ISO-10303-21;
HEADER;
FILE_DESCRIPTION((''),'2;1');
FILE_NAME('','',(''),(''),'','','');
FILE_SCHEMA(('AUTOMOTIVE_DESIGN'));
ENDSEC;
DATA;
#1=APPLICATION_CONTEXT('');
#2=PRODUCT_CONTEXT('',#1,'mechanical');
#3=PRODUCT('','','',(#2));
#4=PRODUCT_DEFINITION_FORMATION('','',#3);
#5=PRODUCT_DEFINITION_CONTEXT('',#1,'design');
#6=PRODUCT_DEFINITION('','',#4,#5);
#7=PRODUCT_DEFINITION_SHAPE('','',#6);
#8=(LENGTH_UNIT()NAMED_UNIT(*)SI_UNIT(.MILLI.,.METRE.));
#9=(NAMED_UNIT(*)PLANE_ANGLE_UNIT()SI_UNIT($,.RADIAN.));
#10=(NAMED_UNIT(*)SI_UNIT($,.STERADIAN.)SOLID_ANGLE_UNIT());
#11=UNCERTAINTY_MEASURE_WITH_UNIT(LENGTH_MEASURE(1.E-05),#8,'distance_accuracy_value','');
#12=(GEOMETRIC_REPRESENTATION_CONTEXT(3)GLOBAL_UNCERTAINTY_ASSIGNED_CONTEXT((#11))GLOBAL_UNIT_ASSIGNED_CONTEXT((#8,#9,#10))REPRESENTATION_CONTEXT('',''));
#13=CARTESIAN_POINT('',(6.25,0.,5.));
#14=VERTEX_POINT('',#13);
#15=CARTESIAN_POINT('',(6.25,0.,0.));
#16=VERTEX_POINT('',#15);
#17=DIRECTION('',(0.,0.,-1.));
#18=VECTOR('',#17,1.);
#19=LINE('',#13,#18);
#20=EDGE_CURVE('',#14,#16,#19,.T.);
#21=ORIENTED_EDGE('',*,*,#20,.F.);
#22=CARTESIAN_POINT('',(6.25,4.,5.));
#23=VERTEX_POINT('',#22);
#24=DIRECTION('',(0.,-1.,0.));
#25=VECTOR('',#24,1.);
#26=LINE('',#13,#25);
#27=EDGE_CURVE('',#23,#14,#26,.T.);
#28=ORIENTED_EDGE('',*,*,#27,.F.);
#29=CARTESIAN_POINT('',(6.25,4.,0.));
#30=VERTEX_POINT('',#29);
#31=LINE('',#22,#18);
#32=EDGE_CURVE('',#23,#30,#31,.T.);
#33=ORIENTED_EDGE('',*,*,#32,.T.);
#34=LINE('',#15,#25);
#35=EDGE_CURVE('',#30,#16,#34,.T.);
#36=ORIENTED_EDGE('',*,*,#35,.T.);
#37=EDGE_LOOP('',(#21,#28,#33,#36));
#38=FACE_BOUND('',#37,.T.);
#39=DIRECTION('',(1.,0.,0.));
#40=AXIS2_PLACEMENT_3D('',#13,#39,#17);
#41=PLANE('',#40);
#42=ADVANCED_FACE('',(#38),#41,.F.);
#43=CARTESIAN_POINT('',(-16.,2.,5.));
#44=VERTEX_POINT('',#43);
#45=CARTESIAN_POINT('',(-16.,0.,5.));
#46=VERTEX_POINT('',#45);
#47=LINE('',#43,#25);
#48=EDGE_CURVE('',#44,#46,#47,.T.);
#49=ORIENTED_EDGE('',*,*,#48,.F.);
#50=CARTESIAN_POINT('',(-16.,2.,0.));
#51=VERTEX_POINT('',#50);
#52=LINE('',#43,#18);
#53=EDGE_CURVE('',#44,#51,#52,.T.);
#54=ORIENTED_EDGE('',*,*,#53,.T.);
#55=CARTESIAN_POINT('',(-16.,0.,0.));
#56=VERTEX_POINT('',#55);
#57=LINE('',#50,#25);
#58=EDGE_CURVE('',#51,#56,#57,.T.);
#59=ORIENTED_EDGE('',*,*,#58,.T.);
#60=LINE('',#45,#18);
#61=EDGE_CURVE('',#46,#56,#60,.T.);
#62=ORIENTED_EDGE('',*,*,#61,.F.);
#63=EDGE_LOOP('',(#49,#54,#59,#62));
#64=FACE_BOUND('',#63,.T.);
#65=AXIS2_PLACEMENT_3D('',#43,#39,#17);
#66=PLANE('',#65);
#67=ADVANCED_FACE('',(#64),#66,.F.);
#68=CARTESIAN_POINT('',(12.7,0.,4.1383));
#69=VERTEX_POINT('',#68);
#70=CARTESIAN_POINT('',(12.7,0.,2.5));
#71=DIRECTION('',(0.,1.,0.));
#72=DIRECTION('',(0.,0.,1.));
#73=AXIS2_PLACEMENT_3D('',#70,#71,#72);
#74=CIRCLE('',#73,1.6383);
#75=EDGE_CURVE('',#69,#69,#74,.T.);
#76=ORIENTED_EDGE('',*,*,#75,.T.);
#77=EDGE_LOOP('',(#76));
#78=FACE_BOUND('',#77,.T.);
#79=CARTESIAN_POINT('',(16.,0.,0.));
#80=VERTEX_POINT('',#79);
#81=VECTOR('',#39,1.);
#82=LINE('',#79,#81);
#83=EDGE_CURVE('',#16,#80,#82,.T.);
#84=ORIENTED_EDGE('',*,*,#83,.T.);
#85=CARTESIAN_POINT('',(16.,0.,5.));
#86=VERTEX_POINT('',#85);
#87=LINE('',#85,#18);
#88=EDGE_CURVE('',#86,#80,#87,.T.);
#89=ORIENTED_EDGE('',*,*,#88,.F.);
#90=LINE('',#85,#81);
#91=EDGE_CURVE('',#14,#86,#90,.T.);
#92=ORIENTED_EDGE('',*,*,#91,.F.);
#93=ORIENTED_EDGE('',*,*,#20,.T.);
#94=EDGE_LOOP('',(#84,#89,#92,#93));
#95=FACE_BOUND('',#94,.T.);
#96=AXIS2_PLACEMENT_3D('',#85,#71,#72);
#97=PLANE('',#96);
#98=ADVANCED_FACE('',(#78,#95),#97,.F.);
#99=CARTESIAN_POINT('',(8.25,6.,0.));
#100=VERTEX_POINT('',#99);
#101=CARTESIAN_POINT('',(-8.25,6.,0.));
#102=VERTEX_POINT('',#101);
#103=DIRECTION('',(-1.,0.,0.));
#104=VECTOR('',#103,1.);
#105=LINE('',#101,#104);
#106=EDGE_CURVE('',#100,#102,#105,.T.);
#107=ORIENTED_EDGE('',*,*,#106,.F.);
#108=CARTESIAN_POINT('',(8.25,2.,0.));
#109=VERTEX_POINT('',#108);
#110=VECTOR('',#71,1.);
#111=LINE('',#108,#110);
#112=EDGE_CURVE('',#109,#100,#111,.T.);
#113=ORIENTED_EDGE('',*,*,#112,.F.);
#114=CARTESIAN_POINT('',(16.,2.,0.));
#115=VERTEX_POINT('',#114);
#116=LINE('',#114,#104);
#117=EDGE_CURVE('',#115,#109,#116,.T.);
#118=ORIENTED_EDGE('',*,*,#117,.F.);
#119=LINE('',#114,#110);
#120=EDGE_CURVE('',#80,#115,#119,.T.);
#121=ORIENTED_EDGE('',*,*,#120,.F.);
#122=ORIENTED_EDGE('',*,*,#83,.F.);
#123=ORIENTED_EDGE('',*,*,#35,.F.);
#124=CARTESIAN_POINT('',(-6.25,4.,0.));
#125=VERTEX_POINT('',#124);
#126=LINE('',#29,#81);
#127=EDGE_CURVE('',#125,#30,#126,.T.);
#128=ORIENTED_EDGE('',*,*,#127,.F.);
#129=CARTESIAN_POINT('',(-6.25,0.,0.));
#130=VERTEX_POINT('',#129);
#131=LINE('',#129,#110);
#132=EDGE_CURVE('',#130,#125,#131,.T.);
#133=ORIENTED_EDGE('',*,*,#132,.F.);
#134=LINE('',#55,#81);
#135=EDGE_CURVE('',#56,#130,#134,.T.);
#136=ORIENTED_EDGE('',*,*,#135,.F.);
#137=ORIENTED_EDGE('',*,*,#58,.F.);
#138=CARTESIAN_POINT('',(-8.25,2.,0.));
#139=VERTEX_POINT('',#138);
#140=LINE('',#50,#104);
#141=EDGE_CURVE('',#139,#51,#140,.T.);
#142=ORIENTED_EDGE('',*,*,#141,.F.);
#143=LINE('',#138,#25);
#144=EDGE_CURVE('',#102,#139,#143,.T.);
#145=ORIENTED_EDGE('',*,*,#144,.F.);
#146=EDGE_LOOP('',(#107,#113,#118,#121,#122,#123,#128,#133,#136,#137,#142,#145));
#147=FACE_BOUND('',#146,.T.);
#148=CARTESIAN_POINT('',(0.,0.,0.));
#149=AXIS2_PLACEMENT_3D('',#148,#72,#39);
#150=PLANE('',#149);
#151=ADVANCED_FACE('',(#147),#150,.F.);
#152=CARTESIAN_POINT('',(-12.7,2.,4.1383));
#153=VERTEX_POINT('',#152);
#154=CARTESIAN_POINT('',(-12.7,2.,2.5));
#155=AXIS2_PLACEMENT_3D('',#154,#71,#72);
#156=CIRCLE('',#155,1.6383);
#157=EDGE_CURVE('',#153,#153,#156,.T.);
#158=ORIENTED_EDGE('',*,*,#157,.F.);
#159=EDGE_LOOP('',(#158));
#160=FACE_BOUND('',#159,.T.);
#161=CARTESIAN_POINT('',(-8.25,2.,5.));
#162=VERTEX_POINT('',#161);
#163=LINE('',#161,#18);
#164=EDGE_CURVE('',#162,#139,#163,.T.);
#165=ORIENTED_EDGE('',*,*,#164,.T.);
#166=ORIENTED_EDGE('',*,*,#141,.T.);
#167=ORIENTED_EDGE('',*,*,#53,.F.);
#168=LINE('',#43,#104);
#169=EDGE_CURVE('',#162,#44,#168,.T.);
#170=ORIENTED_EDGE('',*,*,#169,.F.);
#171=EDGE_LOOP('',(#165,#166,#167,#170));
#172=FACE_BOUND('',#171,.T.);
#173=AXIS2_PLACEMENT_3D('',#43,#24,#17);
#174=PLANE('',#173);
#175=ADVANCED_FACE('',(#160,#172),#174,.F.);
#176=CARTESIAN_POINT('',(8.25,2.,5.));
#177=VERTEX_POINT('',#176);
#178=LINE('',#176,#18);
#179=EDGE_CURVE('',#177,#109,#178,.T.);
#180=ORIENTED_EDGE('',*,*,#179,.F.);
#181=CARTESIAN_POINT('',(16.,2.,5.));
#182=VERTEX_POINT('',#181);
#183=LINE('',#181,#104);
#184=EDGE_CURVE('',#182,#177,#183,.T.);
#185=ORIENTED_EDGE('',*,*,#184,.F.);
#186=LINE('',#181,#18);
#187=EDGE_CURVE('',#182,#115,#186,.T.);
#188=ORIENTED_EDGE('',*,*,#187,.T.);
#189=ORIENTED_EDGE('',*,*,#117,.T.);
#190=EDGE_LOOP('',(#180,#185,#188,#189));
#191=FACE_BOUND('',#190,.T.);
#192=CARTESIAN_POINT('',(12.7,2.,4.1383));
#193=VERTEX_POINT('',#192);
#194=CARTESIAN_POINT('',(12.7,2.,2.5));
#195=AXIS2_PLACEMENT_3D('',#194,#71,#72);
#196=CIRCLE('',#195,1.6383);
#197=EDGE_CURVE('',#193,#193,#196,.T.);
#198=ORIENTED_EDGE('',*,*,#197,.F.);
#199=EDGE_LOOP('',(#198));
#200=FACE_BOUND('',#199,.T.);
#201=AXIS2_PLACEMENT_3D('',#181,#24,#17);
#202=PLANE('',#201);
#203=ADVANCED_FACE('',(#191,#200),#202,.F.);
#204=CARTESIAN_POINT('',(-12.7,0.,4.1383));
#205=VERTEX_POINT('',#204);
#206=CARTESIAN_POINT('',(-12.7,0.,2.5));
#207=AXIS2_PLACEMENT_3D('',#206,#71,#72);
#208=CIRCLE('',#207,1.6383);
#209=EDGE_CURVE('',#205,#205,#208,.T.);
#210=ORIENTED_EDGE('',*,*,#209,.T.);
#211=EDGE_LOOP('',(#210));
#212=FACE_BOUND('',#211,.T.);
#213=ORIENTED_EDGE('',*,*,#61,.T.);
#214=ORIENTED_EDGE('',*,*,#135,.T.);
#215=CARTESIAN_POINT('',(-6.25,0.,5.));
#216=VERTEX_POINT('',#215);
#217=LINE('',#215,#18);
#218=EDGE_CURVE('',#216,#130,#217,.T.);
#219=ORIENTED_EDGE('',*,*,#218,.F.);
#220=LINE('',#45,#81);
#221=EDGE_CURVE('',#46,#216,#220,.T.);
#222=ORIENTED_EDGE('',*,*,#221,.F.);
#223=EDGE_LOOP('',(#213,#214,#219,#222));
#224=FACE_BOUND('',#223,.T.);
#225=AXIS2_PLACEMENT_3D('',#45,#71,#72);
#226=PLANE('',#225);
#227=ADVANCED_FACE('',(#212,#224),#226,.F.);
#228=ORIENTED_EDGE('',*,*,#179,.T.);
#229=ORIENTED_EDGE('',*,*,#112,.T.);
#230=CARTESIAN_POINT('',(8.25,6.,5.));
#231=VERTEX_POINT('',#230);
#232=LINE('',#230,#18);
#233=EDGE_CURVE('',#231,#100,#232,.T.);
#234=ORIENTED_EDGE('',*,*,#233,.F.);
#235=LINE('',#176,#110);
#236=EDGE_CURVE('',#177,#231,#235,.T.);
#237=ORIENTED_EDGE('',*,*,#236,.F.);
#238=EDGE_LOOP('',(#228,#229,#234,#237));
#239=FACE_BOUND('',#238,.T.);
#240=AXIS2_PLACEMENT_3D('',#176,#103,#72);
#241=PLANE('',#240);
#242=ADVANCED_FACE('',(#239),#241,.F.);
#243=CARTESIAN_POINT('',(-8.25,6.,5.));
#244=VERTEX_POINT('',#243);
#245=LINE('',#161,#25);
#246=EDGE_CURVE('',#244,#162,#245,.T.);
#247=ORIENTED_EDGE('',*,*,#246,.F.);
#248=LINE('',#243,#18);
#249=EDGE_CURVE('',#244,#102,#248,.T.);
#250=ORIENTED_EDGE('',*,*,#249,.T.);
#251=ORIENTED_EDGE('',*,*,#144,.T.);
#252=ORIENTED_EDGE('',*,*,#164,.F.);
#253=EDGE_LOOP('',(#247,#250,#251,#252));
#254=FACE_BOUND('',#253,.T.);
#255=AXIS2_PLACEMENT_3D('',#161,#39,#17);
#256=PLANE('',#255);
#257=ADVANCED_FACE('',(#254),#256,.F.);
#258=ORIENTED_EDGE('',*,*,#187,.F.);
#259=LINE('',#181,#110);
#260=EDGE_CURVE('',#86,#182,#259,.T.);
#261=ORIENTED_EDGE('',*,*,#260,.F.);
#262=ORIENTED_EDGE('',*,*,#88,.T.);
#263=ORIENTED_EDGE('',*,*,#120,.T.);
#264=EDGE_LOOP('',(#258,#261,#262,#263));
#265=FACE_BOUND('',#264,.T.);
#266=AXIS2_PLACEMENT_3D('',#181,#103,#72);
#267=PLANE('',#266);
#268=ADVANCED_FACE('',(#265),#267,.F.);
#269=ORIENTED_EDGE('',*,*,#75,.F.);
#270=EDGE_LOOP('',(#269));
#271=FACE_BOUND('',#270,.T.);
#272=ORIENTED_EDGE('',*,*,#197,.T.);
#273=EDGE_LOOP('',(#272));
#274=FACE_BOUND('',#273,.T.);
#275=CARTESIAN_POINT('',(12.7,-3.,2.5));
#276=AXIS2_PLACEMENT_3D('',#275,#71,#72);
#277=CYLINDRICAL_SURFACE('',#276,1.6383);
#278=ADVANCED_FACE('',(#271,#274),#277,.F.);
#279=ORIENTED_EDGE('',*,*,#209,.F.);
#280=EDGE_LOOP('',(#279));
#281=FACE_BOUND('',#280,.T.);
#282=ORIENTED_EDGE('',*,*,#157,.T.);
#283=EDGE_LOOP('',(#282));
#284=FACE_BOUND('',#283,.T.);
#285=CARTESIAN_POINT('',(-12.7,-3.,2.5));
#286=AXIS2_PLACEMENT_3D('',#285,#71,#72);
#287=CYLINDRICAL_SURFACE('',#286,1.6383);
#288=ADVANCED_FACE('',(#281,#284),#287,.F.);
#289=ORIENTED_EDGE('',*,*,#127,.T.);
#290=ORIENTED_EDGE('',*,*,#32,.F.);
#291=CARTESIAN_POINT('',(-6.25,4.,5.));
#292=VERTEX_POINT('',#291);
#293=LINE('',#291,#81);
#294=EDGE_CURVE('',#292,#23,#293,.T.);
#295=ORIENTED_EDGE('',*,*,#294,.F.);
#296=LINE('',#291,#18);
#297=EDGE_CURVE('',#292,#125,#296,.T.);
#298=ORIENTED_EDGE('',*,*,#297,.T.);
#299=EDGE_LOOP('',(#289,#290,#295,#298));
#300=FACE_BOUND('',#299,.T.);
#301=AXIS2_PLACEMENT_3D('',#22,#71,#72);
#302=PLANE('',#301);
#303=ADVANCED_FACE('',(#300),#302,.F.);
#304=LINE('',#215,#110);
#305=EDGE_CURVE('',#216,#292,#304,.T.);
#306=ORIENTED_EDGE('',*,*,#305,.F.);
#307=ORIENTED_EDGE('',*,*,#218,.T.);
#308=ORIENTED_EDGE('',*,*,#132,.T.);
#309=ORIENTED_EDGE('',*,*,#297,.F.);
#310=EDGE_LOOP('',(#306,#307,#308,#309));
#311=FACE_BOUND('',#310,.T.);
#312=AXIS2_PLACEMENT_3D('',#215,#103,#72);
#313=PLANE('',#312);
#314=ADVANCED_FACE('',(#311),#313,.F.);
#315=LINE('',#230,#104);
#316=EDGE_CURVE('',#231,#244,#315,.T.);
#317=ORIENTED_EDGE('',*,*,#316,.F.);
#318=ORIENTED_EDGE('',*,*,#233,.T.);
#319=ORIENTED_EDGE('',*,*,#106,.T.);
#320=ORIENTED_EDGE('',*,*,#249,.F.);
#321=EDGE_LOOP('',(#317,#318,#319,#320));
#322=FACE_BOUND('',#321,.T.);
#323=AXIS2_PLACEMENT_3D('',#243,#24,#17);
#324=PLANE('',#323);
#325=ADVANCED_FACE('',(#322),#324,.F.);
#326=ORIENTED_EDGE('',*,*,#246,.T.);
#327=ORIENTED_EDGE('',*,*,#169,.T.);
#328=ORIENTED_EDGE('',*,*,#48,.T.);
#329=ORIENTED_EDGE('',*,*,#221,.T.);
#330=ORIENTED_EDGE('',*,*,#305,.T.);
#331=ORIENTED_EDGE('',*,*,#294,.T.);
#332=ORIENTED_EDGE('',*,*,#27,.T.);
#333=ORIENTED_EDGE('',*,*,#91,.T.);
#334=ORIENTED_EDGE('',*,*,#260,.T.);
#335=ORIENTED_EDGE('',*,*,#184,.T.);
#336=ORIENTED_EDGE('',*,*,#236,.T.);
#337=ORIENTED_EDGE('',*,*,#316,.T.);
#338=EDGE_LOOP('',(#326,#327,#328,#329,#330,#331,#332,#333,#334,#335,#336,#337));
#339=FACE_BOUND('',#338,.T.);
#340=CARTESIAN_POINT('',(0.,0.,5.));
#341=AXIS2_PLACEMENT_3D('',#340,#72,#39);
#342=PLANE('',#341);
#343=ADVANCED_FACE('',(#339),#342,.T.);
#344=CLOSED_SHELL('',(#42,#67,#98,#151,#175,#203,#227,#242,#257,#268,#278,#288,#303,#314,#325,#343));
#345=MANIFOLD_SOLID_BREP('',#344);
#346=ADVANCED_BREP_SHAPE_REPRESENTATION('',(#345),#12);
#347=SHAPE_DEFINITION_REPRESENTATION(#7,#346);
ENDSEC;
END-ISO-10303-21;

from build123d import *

# Parameters (mm, degrees)
BOSS_EXTRUDE1_DEPTH = 5
SKETCH2_R           = 1.6383
CUT_EXTRUDE1_DEPTH  = 5


with BuildPart() as part:
    # Sketch1 → Boss-Extrude1 (new body)
    with BuildSketch(Plane.XY):
        Polygon((-16, 0), (-6.25, 0), (-6.25, 4), (0, 4), (6.25, 4), (6.25, 0), (16, 0), (16, 2), (8.25, 2), (8.25, 6), (0, 6), (-8.25, 6), (-8.25, 2), (-16, 2), align=None)
    extrude(amount=BOSS_EXTRUDE1_DEPTH)

    # Sketch2 → Cut-Extrude1 (cut)
    with BuildSketch(Plane(origin=(0, 2, 0), x_dir=(1, 0, 0), z_dir=(0, 1, 0))):
        with Locations(Location((-12.7, -2.5, 0), (0, 0, 270))):
            Circle(SKETCH2_R)
        with Locations(Location((12.7, -2.5, 0), (0, 0, 270))):
            Circle(SKETCH2_R)
    extrude(amount=-CUT_EXTRUDE1_DEPTH, mode=Mode.SUBTRACT)


solid = part.part
